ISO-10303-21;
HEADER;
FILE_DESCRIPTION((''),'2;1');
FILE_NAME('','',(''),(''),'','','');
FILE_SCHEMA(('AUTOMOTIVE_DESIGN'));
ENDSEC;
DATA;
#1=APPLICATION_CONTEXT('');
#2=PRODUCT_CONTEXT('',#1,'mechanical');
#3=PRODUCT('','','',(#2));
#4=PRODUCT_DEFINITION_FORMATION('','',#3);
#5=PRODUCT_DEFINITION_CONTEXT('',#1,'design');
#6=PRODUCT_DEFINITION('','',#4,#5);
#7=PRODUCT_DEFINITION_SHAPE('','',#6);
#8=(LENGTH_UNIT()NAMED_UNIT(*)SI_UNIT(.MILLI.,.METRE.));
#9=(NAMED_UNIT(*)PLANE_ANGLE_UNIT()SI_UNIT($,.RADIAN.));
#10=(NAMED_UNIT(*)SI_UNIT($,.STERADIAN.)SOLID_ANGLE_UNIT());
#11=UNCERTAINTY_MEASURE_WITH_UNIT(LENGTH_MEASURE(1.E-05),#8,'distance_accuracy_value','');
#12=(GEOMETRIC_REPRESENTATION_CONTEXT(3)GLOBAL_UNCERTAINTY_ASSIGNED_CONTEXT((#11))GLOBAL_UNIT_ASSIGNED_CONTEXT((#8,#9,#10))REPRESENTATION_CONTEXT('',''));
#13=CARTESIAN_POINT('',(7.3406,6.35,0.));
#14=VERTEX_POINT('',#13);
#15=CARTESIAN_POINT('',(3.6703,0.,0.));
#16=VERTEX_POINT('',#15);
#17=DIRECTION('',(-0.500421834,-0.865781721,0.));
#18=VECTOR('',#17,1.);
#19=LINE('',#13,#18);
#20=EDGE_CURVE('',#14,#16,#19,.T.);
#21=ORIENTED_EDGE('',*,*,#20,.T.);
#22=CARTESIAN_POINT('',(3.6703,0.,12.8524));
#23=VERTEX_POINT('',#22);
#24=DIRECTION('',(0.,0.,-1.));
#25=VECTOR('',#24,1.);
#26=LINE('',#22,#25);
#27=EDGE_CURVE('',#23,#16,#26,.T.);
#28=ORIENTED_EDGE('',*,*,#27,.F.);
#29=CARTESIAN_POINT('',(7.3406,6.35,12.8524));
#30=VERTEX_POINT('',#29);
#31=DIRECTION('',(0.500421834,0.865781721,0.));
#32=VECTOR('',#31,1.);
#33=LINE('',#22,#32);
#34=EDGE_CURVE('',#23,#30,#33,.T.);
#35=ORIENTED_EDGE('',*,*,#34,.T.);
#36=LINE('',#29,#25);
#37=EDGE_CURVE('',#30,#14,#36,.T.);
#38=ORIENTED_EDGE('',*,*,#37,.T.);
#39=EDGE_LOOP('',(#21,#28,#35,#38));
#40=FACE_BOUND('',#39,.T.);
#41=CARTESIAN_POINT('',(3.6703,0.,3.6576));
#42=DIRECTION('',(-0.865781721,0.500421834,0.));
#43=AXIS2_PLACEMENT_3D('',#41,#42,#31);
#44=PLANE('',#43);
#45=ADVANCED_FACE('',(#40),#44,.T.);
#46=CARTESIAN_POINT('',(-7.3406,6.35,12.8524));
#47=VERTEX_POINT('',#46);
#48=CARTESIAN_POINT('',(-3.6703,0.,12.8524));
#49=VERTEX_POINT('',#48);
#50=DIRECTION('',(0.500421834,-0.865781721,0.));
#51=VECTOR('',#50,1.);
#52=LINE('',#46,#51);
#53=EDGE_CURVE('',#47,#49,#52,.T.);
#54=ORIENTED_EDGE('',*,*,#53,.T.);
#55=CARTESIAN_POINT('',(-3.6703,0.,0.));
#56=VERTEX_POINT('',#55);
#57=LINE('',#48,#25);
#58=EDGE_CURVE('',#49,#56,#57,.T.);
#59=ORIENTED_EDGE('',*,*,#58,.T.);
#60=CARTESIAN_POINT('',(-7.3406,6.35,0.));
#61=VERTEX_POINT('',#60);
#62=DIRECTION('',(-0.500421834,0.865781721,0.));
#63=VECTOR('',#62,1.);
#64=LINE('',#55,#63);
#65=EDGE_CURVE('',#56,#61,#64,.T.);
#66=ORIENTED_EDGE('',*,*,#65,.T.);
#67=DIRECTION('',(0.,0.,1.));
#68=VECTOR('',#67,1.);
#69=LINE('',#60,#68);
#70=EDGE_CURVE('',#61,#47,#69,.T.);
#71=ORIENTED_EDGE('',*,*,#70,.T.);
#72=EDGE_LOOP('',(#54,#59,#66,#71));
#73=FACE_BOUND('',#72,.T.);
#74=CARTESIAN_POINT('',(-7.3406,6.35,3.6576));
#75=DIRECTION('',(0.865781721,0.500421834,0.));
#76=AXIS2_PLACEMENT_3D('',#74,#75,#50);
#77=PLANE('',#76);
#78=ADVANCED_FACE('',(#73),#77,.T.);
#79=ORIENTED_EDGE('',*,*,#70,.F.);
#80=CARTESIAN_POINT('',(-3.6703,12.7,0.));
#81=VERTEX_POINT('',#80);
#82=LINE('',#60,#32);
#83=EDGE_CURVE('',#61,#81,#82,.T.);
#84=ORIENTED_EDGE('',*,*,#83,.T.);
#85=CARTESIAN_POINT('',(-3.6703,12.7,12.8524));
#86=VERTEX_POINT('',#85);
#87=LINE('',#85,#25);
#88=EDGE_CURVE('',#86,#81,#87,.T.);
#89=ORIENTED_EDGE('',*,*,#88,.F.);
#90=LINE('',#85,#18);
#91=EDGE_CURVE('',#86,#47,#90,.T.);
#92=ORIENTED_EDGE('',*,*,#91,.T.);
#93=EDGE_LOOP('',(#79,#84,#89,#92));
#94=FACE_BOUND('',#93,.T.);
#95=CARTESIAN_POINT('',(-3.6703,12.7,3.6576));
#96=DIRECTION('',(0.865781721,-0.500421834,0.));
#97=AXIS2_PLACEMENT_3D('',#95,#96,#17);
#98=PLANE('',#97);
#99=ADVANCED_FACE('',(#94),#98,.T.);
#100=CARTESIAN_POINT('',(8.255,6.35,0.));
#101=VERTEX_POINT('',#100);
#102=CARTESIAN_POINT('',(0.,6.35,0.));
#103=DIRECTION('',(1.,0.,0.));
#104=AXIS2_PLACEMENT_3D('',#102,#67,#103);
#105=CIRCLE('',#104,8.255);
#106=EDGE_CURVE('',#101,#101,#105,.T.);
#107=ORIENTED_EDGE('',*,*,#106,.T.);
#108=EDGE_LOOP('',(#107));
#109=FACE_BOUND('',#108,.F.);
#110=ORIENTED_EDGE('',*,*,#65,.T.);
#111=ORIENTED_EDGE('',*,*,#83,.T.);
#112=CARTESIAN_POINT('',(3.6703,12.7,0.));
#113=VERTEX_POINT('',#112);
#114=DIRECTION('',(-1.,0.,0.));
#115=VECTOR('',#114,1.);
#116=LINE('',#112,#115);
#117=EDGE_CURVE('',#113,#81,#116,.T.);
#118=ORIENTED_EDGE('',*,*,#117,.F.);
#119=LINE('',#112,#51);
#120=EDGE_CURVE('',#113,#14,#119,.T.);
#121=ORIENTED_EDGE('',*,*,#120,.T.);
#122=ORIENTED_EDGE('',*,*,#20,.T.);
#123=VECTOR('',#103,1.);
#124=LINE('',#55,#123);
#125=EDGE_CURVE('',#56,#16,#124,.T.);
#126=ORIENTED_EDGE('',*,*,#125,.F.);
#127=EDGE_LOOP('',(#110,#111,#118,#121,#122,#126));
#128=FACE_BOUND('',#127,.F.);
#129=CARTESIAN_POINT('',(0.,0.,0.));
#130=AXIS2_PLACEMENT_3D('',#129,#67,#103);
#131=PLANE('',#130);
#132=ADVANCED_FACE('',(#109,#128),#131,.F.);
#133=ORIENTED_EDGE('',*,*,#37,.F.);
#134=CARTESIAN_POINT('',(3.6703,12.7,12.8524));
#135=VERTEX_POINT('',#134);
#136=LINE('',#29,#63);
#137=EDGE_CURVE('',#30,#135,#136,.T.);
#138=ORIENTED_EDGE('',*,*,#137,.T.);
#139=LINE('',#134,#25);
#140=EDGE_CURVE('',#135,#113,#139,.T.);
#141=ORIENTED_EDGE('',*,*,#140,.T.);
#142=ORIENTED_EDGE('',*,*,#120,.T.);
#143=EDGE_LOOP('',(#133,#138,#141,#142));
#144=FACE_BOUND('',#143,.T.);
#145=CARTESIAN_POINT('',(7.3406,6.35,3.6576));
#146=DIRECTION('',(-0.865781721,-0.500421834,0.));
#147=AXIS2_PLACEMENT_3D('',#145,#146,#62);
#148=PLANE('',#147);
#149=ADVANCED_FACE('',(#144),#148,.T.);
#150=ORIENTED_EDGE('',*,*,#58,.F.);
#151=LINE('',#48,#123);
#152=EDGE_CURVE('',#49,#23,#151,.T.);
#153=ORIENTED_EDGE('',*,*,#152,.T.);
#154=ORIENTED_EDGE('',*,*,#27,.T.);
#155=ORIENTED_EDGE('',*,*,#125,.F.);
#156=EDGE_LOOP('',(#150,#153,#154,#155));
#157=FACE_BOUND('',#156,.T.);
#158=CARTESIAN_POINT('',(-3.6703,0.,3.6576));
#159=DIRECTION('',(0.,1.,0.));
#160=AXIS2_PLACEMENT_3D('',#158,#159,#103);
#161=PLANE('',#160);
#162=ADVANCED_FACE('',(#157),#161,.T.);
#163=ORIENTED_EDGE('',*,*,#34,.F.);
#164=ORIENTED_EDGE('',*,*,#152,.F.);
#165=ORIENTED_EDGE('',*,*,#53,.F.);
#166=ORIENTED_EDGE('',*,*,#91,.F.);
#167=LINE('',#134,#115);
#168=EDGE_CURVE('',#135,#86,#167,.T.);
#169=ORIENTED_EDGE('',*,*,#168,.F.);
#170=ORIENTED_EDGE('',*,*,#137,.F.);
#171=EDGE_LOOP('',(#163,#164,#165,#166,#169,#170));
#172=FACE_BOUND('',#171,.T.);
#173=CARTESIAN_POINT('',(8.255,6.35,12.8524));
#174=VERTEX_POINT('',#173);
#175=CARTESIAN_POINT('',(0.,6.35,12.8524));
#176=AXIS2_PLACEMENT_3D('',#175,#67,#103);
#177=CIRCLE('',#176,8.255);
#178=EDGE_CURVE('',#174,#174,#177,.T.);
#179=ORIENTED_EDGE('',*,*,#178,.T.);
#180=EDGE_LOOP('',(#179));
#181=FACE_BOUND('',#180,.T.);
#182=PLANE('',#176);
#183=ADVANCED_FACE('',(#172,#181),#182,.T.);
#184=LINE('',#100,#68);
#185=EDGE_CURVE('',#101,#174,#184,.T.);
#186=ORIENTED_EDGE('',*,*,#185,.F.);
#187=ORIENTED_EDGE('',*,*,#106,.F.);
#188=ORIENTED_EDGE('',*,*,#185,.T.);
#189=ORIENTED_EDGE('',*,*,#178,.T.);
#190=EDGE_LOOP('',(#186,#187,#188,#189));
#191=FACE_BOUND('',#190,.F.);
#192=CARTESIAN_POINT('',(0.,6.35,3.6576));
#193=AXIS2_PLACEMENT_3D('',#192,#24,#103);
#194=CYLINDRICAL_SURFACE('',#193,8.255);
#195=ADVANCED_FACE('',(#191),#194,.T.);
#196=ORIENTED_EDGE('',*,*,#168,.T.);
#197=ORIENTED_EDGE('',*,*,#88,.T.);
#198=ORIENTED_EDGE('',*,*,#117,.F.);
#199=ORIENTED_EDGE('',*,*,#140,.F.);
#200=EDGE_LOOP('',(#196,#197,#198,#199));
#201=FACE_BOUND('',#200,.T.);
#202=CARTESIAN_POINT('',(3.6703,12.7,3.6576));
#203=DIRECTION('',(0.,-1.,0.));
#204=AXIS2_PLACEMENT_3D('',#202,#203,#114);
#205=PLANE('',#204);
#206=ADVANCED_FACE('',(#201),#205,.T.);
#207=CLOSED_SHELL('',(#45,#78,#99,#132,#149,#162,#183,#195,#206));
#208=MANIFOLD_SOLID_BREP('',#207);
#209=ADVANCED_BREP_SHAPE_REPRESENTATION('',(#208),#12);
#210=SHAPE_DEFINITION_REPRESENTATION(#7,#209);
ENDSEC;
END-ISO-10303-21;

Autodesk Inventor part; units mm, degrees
ref_plane "YZ Plane" through (0, 0, 0) normal (1, 0, 0) x (0, 1, 0)
ref_plane "XZ Plane" through (0, 0, 0) normal (0, 1, 0) x (-1, 0, 0)
ref_plane "XY Plane" through (0, 0, 0) normal (0, 0, 1) x (1, 0, 0)
sketch "Sketch2" plane through (0, 0, 0) normal (0, 0, 1) x (1, 0, 0)
  line L0 (0, 12.7) -> (3.6703, 12.7)
  line L1 (0, 12.7) -> (-3.6703, 12.7)
  line L2 (0, 0) -> (3.6703, 0)
  line L3 (0, 0) -> (-3.6703, 0)
  line L4 (-3.6703, 0) -> (-7.3406, 6.35)
  line L5 (-7.3406, 6.35) -> (-3.6703, 12.7)
  line L6 (3.6703, 12.7) -> (7.3406, 6.35)
  line L7 (7.3406, 6.35) -> (3.6703, 0)
  line L8 (0, 0) -> (0, 6.35)
  circle A0 centre (0, 6.35) radius 8.255
  dimension "d11" = 6.35
  dimension "d12" = 16.51
extrude "Extrusion2" add sketch "Sketch2" along normal blind 6.223
sketch "Sketch3" plane through (0, 6.35, 6.223) normal (0, 0, 1) x (1, 0, 0)
  line L0 (-3.6703, -6.35) -> (-7.3406, 0) projected
  line L1 (-7.3406, 0) -> (-3.6703, 6.35) projected
  line L2 (-3.6703, 6.35) -> (3.6703, 6.35) projected
  line L3 (3.6703, 6.35) -> (7.3406, 0) projected
  line L4 (7.3406, 0) -> (3.6703, -6.35) projected
  line L5 (3.6703, -6.35) -> (-3.6703, -6.35) projected
  circle A0 centre (0, 0) radius 8.255 projected
  point P0 (0, -6.35)
extrude "Extrusion3" add sketch "Sketch3" along normal blind 3.302
sketch "Sketch4" plane through (0, 6.35, 9.525) normal (0, 0, 1) x (1, 0, 0)
  line L0 (-7.3406, 0) -> (-3.6703, 6.35) projected
  line L1 (-3.6703, 6.35) -> (3.6703, 6.35) projected
  line L2 (3.6703, 6.35) -> (7.3406, 0) projected
  line L3 (7.3406, 0) -> (3.6703, -6.35) projected
  line L4 (3.6703, -6.35) -> (-3.6703, -6.35) projected
  line L5 (-3.6703, -6.35) -> (-7.3406, 0) projected
  circle A0 centre (0, 0) radius 8.255 projected
  point P0 (0, -6.35)
extrude "Extrusion4" add sketch "Sketch4" along normal blind 6.5786
sketch "Sketch5" plane through (0, 6.35, 16.1036) normal (0, 0, 1) x (1, 0, 0)
  line L0 (-16.3467, 15.7745) -> (15.1254, 15.7745)
  line L1 (15.1254, 15.7745) -> (15.1254, -12.8793)
  line L2 (15.1254, -12.8793) -> (-16.3467, -12.8793)
  line L3 (-16.3467, -12.8793) -> (-16.3467, 15.7745)
  point P0 (0, -6.35)
extrude "Extrusion5" cut sketch "Sketch5" against normal blind 6.5786
sketch "Sketch8" plane through (0, 6.35, 9.525) normal (0, 0, 1) x (1, 0, 0)
  line L0 (-7.3406, 0) -> (-3.6703, -6.35) projected
  line L1 (-3.6703, 6.35) -> (-7.3406, 0) projected
  line L2 (3.6703, 6.35) -> (-3.6703, 6.35) projected
  line L3 (7.3406, 0) -> (3.6703, 6.35) projected
  line L4 (3.6703, -6.35) -> (7.3406, 0) projected
  line L5 (-3.6703, -6.35) -> (3.6703, -6.35) projected
  circle A0 centre (0, 0) radius 8.255 projected
  point P0 (0, -6.35)
extrude "Extrusion7" add sketch "Sketch8" along normal blind 15.875
sketch "Sketch9" plane through (0, 6.35, 25.4) normal (0, 0, 1) x (1, 0, 0)
  line L0 (-7.3406, 0) -> (-3.6703, 6.35) projected
  line L1 (-3.6703, 6.35) -> (3.6703, 6.35) projected
  line L2 (3.6703, 6.35) -> (7.3406, 0) projected
  line L3 (7.3406, 0) -> (3.6703, -6.35) projected
  line L4 (3.6703, -6.35) -> (-3.6703, -6.35) projected
  line L5 (-3.6703, -6.35) -> (-7.3406, 0) projected
  circle A0 centre (0, 0) radius 8.255 projected
  point P0 (0, -6.35)
extrude "Extrusion8" cut sketch "Sketch9" against normal blind 21.7424
sketch "Sketch10" plane through (0, 6.35, 3.6576) normal (0, 0, 1) x (1, 0, 0)
  line L0 (-7.3406, 0) -> (-3.6703, -6.35) projected
  line L1 (-3.6703, 6.35) -> (-7.3406, 0) projected
  line L2 (3.6703, 6.35) -> (-3.6703, 6.35) projected
  line L3 (7.3406, 0) -> (3.6703, 6.35) projected
  line L4 (3.6703, -6.35) -> (7.3406, 0) projected
  line L5 (-3.6703, -6.35) -> (3.6703, -6.35) projected
  circle A0 centre (0, 0) radius 8.255 projected
  point P0 (0, -6.35)
extrude "Extrusion9" add sketch "Sketch10" along normal blind 9.1948
properties part number ".506Spacer"
